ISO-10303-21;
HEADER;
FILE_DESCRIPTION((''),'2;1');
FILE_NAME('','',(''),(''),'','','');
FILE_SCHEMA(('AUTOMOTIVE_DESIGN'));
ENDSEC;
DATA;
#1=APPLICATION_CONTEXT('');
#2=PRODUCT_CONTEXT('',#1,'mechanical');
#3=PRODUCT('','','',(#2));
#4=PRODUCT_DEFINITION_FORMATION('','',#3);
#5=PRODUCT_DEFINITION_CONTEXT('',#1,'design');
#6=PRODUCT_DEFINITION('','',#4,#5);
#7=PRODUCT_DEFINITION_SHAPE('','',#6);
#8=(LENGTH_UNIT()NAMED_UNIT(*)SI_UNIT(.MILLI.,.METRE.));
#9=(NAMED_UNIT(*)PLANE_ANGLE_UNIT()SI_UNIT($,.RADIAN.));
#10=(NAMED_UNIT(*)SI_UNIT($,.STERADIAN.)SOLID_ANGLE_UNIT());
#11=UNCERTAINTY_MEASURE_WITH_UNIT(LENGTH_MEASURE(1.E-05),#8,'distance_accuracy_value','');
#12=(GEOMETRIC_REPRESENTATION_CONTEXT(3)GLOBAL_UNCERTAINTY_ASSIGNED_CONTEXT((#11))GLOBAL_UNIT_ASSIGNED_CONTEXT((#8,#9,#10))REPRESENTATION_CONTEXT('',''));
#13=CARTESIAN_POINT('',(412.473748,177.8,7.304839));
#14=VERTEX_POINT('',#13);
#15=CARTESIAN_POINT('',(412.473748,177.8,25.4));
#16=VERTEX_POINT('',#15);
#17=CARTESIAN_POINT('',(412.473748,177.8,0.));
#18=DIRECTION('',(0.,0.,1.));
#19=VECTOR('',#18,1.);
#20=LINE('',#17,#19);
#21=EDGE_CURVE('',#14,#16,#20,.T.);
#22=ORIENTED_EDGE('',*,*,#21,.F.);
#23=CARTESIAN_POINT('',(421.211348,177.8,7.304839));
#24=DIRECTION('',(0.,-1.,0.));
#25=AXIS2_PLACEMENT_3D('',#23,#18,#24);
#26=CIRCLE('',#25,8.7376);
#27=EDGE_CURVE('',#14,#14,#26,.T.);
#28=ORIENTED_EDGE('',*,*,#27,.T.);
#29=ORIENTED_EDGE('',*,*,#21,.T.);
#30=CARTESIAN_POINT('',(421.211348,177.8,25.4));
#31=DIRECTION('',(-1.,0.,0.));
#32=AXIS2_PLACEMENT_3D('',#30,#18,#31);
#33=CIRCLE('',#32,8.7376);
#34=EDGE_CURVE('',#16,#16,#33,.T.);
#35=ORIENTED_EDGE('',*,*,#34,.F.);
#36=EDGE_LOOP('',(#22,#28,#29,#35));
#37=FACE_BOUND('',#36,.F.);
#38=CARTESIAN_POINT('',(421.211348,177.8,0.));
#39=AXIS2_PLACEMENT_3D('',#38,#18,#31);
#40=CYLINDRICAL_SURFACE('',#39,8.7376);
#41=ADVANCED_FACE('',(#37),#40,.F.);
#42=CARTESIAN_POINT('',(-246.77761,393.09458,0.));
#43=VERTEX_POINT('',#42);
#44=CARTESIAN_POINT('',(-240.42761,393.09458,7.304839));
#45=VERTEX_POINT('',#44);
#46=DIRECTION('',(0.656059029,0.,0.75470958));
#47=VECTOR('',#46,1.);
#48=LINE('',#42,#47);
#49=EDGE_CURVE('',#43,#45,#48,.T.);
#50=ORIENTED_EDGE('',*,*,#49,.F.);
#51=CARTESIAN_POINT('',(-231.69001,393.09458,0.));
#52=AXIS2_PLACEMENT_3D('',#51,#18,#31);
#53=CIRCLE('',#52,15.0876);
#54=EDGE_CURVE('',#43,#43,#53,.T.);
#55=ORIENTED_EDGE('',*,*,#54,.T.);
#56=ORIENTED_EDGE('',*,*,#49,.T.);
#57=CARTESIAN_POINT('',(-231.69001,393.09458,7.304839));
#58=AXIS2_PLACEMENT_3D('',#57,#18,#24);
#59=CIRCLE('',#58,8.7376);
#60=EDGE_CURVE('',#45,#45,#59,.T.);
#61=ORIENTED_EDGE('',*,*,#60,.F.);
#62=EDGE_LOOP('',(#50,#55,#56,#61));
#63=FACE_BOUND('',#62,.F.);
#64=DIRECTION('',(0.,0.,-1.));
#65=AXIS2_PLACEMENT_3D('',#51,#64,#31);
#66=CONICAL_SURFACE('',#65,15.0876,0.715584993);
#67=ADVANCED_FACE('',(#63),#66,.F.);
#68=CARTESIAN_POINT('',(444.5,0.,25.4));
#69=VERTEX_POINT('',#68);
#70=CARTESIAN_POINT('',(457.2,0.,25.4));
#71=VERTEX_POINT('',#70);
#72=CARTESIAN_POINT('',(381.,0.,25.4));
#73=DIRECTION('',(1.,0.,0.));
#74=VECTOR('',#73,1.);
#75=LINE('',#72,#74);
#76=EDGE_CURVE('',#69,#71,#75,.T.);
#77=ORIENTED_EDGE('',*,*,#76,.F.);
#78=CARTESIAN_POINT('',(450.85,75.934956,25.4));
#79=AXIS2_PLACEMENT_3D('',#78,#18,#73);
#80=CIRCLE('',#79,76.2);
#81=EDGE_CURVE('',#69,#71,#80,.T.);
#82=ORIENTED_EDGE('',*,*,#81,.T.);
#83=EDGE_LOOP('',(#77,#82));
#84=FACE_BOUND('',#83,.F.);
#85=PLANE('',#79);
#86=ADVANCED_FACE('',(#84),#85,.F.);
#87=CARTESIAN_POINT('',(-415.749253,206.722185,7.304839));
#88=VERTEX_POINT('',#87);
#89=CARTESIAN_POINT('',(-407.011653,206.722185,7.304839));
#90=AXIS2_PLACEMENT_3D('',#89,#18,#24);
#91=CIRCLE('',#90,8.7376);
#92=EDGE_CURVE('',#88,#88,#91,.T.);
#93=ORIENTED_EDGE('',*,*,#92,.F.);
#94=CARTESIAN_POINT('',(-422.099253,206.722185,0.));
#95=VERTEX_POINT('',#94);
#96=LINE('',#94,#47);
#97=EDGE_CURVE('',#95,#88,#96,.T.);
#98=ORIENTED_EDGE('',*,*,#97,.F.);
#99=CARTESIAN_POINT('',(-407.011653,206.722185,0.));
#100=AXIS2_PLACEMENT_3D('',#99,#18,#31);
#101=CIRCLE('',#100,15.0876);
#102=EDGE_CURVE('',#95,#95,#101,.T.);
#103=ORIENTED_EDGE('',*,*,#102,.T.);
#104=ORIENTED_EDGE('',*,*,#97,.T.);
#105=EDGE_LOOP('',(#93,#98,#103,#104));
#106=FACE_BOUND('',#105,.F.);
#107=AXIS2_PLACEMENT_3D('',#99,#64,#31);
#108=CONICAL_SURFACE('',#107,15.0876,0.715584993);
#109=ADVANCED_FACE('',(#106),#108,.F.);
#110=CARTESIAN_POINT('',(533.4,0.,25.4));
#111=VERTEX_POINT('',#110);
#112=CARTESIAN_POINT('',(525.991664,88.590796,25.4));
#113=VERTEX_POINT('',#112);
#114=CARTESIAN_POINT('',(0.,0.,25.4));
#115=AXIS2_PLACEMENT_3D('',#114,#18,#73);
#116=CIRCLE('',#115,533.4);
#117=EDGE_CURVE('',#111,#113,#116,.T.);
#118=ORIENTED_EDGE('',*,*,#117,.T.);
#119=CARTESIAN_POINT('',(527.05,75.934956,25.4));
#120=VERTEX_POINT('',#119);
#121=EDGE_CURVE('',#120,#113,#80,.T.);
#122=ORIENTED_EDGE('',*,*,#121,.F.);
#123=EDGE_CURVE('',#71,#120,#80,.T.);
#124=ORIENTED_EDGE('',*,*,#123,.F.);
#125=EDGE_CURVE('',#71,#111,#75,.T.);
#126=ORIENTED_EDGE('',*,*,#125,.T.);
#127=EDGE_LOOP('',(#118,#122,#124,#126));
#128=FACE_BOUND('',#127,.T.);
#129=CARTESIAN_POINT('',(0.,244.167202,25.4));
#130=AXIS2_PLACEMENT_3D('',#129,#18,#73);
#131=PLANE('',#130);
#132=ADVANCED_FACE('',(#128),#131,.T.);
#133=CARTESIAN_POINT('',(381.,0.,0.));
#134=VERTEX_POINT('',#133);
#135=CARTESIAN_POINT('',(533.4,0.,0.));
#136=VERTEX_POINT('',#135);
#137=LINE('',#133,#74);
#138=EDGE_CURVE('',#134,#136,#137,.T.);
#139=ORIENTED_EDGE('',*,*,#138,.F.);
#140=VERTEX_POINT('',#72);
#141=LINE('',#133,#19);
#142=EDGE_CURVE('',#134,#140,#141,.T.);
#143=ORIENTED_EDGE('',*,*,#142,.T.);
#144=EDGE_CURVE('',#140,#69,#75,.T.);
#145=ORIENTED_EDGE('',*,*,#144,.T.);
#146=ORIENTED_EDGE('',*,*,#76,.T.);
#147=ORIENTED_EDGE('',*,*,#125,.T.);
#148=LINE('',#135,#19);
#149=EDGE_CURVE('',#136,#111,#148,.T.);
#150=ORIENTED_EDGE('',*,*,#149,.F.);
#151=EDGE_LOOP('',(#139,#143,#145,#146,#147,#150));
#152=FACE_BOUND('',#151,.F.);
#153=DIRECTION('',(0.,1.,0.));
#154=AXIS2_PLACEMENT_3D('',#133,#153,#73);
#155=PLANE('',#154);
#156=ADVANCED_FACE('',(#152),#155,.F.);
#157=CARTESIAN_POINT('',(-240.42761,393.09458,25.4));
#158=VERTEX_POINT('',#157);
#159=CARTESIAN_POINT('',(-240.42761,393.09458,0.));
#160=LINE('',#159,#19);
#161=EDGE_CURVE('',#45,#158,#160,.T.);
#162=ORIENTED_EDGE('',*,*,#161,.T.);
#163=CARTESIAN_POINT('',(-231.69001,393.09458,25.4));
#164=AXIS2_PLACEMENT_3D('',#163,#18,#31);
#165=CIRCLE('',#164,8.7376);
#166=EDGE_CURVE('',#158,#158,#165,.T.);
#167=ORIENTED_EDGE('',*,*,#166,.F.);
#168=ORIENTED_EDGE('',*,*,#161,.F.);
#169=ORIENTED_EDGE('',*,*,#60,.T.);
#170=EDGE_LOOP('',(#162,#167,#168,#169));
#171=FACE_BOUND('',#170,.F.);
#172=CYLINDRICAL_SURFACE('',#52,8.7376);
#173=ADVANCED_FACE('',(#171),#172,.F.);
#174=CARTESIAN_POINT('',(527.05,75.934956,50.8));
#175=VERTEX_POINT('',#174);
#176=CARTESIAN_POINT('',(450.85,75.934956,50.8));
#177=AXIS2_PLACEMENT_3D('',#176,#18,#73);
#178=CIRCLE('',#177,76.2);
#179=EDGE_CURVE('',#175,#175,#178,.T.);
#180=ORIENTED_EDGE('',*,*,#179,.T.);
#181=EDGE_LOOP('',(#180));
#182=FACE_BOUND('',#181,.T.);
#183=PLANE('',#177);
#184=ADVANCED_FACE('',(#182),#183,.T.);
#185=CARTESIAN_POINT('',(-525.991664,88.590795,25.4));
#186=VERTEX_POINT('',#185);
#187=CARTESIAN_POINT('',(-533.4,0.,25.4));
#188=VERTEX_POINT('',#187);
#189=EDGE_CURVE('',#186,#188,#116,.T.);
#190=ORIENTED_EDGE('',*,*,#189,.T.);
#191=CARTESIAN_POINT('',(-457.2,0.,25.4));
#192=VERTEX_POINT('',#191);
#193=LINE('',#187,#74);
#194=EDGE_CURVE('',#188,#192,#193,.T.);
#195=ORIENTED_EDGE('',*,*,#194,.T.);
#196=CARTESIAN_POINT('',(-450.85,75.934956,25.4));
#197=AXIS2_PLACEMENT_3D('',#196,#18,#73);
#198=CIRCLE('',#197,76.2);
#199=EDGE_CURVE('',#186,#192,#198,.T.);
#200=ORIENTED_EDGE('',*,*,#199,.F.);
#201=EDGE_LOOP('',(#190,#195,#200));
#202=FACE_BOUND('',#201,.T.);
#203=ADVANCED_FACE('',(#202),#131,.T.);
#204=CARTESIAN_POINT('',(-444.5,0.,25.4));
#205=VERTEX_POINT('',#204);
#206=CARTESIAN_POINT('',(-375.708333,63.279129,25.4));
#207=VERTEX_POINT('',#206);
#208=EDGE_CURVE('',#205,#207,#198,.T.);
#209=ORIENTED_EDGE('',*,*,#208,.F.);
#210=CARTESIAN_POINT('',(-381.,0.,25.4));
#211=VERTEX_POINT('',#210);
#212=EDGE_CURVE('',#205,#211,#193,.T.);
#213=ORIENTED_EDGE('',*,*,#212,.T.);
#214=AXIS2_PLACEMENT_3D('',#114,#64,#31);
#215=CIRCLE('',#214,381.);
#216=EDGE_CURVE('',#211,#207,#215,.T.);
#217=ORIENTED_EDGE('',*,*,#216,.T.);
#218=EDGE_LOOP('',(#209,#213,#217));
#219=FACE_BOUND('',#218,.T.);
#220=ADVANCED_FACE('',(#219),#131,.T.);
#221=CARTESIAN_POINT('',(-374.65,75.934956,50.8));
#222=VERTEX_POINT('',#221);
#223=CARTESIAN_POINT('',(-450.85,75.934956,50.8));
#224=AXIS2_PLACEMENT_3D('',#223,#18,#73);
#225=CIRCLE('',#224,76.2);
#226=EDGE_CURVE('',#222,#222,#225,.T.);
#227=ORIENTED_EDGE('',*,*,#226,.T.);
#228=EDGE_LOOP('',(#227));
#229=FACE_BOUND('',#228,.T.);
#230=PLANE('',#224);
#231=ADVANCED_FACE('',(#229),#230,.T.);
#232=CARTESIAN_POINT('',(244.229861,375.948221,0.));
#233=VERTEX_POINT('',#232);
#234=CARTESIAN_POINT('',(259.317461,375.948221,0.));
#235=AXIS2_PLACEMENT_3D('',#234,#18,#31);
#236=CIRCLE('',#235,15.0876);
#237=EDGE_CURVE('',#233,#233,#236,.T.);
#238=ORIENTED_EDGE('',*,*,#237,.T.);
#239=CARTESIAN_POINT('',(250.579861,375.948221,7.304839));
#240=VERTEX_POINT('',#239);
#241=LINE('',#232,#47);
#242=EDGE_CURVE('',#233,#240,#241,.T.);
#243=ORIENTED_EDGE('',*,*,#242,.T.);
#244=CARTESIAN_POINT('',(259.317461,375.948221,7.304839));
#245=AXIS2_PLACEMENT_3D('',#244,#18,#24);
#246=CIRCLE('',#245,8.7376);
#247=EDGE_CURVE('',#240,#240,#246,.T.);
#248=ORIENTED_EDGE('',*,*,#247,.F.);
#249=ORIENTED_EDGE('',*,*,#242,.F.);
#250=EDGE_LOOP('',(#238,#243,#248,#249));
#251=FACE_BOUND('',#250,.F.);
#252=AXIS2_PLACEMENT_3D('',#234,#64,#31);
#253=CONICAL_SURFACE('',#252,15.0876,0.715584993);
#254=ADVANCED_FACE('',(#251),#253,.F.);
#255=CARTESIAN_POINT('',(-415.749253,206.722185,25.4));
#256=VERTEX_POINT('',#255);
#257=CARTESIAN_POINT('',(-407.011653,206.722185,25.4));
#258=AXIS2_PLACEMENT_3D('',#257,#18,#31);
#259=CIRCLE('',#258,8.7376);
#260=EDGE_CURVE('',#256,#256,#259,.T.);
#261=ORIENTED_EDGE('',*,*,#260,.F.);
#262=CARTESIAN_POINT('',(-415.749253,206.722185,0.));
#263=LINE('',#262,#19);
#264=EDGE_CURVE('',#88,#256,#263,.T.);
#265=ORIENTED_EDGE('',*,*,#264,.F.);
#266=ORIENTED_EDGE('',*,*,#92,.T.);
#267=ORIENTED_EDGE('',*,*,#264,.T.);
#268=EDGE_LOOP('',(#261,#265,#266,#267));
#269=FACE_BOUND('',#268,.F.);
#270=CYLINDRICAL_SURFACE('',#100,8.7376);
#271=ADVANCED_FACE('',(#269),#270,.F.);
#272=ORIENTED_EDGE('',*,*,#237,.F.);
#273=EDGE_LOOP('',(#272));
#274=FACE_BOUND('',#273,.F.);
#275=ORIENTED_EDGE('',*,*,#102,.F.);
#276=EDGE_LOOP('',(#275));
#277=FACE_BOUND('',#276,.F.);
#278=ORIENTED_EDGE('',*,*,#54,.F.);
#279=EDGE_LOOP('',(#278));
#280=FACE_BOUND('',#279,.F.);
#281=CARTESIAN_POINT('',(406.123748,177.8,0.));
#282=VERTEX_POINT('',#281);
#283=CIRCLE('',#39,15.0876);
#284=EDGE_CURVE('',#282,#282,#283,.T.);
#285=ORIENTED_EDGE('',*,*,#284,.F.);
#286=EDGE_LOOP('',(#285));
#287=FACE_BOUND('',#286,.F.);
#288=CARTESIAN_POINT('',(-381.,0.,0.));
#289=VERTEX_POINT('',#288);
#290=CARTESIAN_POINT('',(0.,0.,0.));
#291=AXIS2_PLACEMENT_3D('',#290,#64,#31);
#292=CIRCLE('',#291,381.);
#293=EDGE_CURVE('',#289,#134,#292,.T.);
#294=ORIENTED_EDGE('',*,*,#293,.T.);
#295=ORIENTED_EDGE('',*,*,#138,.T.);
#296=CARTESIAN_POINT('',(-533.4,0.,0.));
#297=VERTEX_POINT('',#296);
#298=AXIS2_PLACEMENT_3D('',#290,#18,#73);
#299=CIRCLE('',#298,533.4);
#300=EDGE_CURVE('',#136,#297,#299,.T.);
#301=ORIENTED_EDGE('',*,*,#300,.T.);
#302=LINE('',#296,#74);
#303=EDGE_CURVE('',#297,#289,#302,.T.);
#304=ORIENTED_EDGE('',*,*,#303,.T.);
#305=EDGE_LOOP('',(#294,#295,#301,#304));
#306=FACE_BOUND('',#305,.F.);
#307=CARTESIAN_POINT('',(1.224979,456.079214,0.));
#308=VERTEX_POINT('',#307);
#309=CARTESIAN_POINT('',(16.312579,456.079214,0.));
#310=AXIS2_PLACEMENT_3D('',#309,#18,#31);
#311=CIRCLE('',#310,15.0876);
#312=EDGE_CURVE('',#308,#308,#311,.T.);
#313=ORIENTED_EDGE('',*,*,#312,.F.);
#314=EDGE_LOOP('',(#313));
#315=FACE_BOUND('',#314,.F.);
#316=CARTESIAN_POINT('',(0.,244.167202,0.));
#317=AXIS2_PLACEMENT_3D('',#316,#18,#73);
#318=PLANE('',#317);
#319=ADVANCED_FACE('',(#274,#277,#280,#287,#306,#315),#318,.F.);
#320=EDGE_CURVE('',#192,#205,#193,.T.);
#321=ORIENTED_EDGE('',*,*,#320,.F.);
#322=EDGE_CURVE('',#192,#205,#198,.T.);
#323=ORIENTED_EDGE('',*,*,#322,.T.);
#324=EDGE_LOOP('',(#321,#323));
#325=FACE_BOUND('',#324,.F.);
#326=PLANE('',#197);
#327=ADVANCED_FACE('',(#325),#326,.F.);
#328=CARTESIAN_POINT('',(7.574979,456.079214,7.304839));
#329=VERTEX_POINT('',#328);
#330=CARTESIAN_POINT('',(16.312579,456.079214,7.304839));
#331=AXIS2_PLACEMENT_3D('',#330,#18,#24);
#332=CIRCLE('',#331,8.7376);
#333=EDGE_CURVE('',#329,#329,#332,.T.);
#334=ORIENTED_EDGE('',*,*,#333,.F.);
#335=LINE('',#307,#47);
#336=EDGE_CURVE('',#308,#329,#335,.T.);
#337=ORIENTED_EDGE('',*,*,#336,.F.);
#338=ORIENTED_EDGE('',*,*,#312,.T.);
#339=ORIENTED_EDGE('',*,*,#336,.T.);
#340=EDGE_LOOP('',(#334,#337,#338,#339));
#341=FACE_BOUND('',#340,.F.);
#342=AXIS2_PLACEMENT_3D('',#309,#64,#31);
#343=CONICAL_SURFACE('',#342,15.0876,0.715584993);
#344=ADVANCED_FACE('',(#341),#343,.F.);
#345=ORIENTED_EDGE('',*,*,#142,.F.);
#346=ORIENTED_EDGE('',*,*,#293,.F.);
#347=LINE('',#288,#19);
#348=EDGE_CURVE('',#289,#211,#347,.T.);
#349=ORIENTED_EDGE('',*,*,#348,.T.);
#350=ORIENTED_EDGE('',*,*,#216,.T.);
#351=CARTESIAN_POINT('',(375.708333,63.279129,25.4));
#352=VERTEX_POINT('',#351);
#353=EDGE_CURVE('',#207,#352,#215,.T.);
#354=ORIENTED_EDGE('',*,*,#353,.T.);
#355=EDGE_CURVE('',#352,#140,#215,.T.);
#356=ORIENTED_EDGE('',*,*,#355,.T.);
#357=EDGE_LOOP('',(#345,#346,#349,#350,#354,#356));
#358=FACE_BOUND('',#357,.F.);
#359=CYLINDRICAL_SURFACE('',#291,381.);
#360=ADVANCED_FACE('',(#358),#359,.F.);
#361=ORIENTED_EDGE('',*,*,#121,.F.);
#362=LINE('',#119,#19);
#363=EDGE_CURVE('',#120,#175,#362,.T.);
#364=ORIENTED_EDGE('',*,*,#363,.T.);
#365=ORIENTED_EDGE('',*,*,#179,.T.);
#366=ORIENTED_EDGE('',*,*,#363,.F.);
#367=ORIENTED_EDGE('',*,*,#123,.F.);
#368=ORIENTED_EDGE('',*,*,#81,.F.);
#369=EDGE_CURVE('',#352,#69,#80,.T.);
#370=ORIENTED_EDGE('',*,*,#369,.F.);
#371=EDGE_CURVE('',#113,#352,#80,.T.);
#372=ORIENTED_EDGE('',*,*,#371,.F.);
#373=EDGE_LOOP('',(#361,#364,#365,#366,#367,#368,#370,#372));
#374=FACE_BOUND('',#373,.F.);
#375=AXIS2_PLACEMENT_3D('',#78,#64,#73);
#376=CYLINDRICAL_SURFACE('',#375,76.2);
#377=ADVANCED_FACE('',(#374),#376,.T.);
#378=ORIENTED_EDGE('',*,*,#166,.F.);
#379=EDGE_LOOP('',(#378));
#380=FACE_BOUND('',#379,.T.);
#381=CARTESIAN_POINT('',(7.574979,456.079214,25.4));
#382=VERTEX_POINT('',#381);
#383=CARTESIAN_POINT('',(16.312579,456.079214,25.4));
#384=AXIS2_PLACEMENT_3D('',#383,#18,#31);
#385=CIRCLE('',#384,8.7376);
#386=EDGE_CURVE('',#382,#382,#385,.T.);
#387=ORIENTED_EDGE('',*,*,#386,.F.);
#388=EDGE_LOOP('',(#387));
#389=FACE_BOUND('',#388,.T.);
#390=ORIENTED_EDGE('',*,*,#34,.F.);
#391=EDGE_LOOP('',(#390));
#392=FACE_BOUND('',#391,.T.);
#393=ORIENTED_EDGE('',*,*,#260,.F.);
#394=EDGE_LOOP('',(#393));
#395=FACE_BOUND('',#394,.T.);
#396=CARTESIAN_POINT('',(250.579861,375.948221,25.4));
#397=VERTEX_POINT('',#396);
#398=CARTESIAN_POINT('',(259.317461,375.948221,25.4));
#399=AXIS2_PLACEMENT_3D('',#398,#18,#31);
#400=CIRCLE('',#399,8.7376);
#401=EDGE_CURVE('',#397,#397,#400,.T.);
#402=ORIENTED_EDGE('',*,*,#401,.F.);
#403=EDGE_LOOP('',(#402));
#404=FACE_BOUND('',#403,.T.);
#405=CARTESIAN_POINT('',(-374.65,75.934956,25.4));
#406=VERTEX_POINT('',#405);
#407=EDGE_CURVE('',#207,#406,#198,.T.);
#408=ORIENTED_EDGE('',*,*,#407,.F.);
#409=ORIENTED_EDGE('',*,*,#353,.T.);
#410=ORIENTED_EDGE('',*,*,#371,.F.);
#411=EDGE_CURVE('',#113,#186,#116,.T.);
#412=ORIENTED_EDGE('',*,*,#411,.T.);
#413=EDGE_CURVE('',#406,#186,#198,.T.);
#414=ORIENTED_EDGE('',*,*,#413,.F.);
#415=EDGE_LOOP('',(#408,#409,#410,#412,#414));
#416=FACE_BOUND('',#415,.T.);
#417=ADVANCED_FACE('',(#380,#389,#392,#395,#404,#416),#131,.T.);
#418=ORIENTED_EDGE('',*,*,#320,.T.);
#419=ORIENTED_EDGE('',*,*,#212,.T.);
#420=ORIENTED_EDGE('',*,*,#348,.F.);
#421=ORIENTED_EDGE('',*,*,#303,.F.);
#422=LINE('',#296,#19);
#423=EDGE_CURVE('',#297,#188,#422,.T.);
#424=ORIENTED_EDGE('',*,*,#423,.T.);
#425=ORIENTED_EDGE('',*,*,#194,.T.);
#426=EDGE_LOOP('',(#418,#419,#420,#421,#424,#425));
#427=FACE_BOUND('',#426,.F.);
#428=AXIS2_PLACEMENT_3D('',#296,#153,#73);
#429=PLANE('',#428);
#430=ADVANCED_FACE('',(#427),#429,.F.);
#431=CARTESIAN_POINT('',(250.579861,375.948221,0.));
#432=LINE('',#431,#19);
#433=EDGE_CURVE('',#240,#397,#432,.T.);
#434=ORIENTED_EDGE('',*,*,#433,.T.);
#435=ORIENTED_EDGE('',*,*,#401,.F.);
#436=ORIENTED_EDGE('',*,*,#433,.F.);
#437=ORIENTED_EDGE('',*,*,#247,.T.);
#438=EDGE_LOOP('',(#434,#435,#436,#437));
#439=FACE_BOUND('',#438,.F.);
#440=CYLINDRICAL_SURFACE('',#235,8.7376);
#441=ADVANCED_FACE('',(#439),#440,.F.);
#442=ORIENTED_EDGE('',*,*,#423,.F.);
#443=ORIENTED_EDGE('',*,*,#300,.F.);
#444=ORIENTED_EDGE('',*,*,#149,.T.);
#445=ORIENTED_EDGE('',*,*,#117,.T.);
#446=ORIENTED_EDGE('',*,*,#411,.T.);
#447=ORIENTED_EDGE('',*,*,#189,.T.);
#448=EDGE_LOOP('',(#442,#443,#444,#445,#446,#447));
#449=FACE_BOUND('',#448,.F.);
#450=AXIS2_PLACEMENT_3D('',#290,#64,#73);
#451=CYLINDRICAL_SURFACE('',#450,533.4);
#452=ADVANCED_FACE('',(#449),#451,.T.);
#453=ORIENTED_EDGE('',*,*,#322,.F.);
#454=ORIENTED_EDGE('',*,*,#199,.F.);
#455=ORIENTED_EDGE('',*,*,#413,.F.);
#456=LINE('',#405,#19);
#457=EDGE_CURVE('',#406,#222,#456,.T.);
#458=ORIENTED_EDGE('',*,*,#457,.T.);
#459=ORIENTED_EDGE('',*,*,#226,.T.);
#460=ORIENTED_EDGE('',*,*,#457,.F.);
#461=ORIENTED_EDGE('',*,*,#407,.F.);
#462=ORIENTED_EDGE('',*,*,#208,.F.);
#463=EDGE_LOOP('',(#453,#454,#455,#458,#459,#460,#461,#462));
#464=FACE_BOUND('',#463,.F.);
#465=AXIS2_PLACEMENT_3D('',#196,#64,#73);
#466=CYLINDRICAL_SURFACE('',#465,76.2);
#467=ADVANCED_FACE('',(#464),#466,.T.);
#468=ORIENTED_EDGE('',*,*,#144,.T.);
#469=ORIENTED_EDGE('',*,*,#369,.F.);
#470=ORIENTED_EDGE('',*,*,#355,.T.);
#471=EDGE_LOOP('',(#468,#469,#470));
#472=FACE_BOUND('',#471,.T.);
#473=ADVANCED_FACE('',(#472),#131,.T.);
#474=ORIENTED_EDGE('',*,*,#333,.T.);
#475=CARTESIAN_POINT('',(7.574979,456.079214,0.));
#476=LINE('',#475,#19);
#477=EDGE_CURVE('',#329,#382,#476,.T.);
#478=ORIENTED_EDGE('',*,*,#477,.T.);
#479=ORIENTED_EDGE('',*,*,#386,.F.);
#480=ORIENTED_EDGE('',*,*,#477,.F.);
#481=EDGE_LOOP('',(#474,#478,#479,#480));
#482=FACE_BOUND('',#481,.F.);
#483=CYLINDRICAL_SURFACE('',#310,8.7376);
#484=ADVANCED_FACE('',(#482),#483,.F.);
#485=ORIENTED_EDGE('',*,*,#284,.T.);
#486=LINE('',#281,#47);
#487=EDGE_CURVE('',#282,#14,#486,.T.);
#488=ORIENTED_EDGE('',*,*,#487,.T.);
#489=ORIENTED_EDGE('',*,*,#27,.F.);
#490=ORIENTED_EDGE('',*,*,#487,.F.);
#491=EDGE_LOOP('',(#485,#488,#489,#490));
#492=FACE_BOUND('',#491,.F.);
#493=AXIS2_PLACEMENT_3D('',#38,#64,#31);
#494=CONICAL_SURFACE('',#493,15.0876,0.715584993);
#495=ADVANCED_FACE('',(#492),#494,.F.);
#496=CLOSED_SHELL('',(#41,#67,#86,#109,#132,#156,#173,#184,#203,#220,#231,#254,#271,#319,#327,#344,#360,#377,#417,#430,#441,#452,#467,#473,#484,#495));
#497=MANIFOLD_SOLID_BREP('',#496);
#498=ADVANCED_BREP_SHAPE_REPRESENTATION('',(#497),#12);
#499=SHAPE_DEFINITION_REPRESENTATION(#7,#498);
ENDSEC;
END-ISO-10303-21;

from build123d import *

# Parameters (mm, degrees)
F1_DEPTH       = 25.4
F2_R           = 76.2
F3_DEPTH       = 25.4
F5_D           = 17.4752
F5_CSINK_D     = 30.1752
F5_CSINK_ANGLE = 82


with BuildPart() as f1:
    # F0 (on Top) → F1 (new body)
    with BuildSketch(Plane.XY):
        with BuildLine():
            ThreePointArc((533.4, 0), (0, 533.4), (-533.4, 0))
            Line((-533.4, 0), (-381, 0))
            ThreePointArc((-381, 0), (0, 381), (381, 0))
            Line((381, 0), (533.4, 0))
        make_face()
    extrude(amount=F1_DEPTH)

    # F2 (on face) → F3 (join)
    with BuildSketch(Plane.XY.offset(25.4)):
        with Locations((-450.85, 75.9349557187)):
            Circle(F2_R)
        with Locations((450.85, 75.9349557187)):
            Circle(F2_R)
    extrude(amount=F3_DEPTH)

    # F5 (through all)
    with Locations(Plane(origin=(0, 0, 0), x_dir=(1, 0, 0), z_dir=(0, 0, -1))):
        with Locations((-407.0116534822, -206.7221845356), (-231.690010169, -393.0945802086), (16.3125792691, -456.0792141678), (259.3174608987, -375.9482214927), (421.2113483751, -177.8)):
            CounterSinkHole(F5_D / 2, F5_CSINK_D / 2, counter_sink_angle=F5_CSINK_ANGLE)


solid = f1.part
